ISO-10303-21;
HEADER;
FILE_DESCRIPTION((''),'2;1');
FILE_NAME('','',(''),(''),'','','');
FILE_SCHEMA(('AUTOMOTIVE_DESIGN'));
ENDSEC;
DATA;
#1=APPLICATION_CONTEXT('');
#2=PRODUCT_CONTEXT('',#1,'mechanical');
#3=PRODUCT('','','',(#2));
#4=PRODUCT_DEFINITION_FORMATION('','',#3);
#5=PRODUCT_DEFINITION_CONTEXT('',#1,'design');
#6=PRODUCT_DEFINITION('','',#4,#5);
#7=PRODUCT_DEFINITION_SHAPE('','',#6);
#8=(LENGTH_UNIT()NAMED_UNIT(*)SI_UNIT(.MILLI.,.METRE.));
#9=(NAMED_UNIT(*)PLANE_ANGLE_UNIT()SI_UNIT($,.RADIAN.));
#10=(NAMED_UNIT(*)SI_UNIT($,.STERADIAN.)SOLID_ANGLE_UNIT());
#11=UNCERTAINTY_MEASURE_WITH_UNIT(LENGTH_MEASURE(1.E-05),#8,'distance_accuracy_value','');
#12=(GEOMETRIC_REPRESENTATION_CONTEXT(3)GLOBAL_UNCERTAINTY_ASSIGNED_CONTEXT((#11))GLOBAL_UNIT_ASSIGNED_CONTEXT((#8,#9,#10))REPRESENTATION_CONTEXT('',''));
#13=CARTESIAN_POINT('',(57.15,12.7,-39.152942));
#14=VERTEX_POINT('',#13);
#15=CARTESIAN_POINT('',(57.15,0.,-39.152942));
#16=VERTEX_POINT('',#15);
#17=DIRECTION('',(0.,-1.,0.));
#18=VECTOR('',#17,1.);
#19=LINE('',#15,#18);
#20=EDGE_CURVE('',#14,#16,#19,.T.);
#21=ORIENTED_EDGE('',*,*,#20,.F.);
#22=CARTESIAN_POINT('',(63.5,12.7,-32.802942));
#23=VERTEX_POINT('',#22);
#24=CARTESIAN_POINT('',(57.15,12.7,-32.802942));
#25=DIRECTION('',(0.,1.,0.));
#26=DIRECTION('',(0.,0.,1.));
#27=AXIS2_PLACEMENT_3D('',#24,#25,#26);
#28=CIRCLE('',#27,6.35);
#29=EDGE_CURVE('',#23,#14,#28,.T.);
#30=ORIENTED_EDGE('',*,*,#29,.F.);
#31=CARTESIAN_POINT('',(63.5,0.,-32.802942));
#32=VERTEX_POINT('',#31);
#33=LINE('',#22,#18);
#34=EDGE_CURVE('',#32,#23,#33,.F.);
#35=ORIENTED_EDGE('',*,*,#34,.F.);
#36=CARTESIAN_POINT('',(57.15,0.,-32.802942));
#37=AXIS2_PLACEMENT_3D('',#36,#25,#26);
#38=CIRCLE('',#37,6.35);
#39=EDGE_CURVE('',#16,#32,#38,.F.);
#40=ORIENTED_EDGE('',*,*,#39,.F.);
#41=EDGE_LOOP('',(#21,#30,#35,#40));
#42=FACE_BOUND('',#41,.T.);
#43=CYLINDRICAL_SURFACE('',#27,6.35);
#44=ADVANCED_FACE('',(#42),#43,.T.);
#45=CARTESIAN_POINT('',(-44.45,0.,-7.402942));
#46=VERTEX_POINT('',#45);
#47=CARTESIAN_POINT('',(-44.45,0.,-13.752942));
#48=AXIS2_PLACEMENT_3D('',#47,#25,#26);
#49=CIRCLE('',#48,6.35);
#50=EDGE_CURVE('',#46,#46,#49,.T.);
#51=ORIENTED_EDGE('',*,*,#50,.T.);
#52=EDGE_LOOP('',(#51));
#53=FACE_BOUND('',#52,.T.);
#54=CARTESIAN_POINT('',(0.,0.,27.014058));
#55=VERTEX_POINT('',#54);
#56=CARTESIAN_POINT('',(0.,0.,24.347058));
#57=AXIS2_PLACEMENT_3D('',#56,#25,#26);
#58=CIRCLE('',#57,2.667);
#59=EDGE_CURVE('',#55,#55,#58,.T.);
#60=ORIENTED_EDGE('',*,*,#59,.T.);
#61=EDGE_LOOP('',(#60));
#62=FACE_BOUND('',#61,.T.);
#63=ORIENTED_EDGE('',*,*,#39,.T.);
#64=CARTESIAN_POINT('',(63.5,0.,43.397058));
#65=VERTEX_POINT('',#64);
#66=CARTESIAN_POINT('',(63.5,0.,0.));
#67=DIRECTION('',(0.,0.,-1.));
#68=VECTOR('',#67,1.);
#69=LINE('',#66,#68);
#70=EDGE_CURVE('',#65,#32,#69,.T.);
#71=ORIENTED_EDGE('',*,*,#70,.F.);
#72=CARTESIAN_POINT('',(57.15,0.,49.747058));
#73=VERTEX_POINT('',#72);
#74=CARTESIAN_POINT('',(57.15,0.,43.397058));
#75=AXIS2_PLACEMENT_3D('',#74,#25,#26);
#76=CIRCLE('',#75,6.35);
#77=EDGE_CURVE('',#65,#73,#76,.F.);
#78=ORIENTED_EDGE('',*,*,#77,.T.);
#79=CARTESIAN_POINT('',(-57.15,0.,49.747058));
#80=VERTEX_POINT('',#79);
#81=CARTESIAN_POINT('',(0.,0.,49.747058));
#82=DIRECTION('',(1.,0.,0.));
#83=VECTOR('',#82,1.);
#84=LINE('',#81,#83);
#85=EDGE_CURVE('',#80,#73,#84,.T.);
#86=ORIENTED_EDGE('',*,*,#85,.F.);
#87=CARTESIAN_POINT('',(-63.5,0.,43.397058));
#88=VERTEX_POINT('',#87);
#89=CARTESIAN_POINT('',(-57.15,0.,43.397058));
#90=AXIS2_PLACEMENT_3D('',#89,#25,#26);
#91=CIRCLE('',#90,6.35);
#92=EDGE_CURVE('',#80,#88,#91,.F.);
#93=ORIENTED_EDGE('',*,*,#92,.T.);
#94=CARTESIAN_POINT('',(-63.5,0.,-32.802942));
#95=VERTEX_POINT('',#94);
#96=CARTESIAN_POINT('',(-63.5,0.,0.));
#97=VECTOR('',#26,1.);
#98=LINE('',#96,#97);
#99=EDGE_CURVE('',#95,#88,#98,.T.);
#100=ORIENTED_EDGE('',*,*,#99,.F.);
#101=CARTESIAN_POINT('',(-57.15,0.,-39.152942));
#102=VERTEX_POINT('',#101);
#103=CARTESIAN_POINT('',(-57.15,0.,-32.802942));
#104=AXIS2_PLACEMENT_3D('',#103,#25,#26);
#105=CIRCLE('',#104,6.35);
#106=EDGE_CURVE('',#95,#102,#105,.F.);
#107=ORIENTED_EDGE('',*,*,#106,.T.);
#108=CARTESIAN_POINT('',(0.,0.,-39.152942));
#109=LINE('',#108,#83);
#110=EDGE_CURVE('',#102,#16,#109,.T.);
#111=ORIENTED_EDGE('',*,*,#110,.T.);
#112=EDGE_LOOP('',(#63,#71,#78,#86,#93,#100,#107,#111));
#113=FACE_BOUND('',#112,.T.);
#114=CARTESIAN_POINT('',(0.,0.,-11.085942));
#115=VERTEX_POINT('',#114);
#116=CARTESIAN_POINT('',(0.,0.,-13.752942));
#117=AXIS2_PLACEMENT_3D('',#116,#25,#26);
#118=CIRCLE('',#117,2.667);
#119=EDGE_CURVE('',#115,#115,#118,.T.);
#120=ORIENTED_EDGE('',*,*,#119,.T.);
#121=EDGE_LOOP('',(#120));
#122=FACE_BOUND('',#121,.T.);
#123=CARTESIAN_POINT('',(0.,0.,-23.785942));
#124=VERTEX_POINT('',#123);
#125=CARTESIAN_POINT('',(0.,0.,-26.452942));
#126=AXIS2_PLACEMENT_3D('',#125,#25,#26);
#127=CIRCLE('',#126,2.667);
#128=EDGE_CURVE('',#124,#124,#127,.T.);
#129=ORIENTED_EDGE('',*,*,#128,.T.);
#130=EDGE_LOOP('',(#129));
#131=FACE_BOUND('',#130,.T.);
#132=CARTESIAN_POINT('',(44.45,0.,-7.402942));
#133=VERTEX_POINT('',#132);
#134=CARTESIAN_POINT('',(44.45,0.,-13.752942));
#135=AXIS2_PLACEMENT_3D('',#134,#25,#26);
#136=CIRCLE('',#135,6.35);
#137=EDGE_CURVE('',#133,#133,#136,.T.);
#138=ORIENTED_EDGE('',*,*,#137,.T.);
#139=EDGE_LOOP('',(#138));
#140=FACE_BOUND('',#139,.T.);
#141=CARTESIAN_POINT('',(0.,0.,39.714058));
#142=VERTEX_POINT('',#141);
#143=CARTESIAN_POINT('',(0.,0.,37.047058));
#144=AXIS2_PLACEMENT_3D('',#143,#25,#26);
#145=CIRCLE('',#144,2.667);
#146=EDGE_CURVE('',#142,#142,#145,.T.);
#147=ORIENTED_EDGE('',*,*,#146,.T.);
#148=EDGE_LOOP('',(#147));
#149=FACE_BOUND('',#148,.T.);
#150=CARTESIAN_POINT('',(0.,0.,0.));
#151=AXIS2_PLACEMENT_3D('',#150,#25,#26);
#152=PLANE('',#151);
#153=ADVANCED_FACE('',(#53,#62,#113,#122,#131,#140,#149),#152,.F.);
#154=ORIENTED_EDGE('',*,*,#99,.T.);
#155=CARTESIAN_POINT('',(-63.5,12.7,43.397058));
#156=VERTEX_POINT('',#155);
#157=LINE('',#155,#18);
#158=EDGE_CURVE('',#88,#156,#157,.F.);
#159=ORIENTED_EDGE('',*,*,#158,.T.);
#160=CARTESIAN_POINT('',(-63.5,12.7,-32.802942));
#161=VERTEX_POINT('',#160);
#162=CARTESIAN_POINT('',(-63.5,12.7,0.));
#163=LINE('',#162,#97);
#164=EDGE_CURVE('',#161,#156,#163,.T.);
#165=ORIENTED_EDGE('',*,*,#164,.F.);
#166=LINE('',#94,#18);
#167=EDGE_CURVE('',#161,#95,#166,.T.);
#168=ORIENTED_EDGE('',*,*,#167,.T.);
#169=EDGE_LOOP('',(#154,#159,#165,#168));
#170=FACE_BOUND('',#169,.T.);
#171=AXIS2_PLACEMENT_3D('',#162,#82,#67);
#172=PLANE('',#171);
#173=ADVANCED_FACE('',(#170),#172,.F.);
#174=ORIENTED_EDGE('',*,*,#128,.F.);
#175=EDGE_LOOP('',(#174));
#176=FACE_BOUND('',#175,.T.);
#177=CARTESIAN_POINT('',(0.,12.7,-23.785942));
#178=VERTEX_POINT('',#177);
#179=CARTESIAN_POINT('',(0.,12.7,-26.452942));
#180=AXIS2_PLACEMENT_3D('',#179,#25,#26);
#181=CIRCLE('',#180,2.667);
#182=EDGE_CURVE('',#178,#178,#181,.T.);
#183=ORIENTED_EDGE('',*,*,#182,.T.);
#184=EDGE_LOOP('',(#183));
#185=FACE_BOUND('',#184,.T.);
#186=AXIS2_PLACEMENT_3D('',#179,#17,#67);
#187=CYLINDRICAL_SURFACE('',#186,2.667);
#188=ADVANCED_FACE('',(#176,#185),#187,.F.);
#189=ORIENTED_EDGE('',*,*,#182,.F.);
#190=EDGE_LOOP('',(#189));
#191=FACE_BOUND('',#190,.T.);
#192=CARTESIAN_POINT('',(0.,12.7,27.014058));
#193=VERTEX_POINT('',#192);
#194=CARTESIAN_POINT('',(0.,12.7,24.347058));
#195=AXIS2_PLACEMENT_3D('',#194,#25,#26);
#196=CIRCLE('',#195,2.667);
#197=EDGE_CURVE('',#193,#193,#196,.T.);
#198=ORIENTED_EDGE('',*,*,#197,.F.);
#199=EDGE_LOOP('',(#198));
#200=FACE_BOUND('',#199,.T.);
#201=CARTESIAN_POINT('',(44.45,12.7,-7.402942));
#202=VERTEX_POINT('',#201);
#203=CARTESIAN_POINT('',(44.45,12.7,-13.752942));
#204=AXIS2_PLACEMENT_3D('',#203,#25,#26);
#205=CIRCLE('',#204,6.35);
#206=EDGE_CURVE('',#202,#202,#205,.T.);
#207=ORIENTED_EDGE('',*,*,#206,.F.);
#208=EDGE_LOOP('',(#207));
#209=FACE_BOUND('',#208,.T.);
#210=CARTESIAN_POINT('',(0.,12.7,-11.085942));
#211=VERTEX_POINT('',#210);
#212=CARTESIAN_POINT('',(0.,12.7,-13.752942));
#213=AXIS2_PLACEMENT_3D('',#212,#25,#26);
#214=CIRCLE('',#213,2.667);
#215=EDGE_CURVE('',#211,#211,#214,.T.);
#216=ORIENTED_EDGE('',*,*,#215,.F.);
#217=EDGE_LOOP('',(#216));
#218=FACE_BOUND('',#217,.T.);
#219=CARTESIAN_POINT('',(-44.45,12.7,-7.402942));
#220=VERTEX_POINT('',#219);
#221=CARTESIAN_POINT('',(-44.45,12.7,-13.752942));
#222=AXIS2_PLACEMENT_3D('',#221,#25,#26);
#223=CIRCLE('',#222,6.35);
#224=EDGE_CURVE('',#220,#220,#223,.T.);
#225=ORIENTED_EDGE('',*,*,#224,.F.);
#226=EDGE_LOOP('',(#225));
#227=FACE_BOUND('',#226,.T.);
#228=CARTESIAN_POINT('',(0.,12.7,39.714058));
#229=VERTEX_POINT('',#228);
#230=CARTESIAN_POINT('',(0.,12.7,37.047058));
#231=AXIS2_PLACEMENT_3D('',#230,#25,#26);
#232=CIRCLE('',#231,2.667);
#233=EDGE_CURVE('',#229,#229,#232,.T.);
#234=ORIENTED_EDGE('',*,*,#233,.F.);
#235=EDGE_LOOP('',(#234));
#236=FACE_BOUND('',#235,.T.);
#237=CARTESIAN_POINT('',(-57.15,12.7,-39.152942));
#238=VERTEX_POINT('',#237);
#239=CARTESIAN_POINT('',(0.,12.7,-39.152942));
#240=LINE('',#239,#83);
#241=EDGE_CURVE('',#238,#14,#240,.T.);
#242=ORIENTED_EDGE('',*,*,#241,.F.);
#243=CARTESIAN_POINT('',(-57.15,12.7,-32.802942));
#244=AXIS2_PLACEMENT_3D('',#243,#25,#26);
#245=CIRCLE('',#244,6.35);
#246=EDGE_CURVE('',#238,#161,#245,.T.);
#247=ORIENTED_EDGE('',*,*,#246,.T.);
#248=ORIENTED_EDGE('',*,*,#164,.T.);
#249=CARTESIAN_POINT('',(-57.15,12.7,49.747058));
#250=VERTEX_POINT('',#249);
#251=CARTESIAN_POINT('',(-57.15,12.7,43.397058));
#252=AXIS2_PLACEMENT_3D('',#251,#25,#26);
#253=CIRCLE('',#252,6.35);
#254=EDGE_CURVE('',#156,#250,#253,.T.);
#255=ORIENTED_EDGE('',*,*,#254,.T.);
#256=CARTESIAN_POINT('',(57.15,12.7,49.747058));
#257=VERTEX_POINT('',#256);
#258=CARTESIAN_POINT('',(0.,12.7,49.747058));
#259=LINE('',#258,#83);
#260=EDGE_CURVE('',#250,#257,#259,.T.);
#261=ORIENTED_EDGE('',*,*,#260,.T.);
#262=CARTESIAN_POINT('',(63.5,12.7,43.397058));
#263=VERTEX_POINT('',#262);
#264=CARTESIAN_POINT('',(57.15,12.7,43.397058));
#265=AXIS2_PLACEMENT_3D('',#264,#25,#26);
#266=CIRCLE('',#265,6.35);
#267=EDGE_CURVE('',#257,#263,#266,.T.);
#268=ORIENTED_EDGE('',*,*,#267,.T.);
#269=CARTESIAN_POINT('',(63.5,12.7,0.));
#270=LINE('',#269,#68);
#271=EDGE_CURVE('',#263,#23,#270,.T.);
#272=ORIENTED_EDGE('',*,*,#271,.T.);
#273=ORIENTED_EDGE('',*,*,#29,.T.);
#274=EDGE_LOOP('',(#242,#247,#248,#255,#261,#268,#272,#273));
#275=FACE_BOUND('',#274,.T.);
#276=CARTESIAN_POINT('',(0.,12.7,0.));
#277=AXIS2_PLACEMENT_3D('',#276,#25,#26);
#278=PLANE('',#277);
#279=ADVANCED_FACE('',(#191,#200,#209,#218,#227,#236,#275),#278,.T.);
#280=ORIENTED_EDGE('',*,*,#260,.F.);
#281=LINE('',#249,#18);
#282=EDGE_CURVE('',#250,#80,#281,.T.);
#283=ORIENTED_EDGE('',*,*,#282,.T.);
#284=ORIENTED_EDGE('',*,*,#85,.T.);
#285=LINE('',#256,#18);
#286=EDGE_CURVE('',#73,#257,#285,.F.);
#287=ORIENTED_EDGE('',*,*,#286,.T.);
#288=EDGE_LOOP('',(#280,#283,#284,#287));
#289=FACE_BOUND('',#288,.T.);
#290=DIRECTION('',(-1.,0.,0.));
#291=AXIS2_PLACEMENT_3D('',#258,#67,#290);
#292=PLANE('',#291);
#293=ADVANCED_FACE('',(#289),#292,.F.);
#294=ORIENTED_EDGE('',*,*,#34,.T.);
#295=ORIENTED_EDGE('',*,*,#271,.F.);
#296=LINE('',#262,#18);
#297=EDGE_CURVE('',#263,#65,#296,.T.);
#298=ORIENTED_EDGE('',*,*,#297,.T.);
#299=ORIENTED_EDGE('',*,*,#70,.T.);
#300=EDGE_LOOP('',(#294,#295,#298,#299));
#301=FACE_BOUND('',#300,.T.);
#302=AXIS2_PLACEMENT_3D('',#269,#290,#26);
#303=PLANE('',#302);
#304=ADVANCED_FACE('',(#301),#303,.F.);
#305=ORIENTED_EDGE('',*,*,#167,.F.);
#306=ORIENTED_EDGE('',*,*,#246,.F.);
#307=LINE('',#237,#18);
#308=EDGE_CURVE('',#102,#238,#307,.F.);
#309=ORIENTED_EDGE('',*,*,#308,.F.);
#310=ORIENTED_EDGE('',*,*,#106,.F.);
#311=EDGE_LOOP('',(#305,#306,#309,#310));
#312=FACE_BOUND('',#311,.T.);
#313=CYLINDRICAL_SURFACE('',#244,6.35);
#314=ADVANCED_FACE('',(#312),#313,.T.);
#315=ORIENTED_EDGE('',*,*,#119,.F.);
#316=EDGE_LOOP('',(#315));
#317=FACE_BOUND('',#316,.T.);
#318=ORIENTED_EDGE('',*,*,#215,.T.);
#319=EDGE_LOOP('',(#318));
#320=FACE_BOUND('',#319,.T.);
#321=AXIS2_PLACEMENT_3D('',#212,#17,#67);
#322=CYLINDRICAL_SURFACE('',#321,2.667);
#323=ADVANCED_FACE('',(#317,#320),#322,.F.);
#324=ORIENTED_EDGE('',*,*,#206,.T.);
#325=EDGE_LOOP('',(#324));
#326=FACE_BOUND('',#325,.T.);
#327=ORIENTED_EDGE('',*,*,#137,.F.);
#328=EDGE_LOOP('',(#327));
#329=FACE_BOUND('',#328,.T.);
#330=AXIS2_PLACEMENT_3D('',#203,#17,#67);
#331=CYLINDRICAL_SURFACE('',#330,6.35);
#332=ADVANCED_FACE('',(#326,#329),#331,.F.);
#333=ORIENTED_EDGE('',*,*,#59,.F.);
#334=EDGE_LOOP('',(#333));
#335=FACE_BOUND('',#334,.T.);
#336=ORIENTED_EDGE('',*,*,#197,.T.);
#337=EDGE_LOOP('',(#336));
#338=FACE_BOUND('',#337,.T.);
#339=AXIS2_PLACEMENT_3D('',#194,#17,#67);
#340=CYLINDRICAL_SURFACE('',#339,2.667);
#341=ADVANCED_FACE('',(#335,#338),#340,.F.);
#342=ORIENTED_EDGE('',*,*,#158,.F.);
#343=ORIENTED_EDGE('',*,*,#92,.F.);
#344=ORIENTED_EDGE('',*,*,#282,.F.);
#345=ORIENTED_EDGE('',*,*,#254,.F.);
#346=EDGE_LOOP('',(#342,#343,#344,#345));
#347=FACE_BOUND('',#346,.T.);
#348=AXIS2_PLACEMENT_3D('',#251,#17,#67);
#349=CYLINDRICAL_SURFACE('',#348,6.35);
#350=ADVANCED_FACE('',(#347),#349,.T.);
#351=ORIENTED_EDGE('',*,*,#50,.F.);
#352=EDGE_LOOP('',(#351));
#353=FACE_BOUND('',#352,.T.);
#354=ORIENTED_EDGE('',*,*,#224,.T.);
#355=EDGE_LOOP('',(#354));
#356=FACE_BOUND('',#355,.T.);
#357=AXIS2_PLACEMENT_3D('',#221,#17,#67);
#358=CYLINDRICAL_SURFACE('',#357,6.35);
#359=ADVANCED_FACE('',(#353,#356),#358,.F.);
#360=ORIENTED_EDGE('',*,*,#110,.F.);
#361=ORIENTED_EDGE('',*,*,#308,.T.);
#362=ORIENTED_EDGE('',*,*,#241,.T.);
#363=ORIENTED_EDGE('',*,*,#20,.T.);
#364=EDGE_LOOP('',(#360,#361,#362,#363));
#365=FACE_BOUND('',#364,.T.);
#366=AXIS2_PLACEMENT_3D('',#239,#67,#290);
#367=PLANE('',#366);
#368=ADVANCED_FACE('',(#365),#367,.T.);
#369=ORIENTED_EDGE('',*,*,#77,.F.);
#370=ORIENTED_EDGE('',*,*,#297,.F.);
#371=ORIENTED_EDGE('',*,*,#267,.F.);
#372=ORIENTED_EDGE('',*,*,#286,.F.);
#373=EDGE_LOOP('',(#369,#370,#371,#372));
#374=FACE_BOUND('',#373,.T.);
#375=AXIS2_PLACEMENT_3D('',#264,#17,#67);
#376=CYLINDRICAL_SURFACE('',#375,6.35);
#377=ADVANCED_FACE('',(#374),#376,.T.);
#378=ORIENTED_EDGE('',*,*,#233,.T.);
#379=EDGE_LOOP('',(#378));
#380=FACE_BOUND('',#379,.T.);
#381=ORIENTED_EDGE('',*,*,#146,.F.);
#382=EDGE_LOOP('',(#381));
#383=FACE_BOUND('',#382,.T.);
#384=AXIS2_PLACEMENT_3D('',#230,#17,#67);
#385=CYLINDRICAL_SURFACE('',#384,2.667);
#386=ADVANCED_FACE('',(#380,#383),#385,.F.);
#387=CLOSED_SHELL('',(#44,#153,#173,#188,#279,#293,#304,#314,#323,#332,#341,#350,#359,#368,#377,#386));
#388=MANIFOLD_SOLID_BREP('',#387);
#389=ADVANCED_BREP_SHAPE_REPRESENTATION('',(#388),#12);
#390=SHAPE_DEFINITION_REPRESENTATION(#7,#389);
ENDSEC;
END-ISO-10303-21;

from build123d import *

# Parameters (mm, degrees)
SKETCH2_W           = 127
SKETCH2_H           = 88.9
SKETCH2_R           = 6.35
SKETCH2_R_2         = 2.667
BOSS_EXTRUDE1_DEPTH = 12.7
FILLET1_R           = 6.35


with BuildPart() as part:
    # Sketch2 → Boss-Extrude1 (new body)
    with BuildSketch(Plane(origin=(0, 0, 0), x_dir=(1, 0, 0), z_dir=(0, 1, 0))):
        with Locations((0, -5.297057788)):
            Rectangle(SKETCH2_W, SKETCH2_H)
        with Locations(Location((-44.45, 13.752942212, 0), (0, 0, 270))):
            Circle(SKETCH2_R, mode=Mode.SUBTRACT)
        with Locations(Location((0, 26.452942212, 0), (0, 0, 270))):
            Circle(SKETCH2_R_2, mode=Mode.SUBTRACT)
        with Locations(Location((0, 13.752942212, 0), (0, 0, 270))):
            Circle(SKETCH2_R_2, mode=Mode.SUBTRACT)
        with Locations(Location((44.45, 13.752942212, 0), (0, 0, 270))):
            Circle(SKETCH2_R, mode=Mode.SUBTRACT)
        with Locations(Location((0, -37.047057788, 0), (0, 0, 270))):
            Circle(SKETCH2_R_2, mode=Mode.SUBTRACT)
        with Locations(Location((0, -24.347057788, 0), (0, 0, 270))):
            Circle(SKETCH2_R_2, mode=Mode.SUBTRACT)
    extrude(amount=BOSS_EXTRUDE1_DEPTH)

    # Fillet1
    fillet1_edges = [part.edges().sort_by_distance(p)[0] for p in [
        (-63.5, 6.35, 49.747057788),
        (-63.5, 6.35, -39.152942212),
        (63.5, 6.35, -39.152942212),
        (63.5, 6.35, 49.747057788),
    ]]
    fillet(fillet1_edges, radius=FILLET1_R)


solid = part.part
